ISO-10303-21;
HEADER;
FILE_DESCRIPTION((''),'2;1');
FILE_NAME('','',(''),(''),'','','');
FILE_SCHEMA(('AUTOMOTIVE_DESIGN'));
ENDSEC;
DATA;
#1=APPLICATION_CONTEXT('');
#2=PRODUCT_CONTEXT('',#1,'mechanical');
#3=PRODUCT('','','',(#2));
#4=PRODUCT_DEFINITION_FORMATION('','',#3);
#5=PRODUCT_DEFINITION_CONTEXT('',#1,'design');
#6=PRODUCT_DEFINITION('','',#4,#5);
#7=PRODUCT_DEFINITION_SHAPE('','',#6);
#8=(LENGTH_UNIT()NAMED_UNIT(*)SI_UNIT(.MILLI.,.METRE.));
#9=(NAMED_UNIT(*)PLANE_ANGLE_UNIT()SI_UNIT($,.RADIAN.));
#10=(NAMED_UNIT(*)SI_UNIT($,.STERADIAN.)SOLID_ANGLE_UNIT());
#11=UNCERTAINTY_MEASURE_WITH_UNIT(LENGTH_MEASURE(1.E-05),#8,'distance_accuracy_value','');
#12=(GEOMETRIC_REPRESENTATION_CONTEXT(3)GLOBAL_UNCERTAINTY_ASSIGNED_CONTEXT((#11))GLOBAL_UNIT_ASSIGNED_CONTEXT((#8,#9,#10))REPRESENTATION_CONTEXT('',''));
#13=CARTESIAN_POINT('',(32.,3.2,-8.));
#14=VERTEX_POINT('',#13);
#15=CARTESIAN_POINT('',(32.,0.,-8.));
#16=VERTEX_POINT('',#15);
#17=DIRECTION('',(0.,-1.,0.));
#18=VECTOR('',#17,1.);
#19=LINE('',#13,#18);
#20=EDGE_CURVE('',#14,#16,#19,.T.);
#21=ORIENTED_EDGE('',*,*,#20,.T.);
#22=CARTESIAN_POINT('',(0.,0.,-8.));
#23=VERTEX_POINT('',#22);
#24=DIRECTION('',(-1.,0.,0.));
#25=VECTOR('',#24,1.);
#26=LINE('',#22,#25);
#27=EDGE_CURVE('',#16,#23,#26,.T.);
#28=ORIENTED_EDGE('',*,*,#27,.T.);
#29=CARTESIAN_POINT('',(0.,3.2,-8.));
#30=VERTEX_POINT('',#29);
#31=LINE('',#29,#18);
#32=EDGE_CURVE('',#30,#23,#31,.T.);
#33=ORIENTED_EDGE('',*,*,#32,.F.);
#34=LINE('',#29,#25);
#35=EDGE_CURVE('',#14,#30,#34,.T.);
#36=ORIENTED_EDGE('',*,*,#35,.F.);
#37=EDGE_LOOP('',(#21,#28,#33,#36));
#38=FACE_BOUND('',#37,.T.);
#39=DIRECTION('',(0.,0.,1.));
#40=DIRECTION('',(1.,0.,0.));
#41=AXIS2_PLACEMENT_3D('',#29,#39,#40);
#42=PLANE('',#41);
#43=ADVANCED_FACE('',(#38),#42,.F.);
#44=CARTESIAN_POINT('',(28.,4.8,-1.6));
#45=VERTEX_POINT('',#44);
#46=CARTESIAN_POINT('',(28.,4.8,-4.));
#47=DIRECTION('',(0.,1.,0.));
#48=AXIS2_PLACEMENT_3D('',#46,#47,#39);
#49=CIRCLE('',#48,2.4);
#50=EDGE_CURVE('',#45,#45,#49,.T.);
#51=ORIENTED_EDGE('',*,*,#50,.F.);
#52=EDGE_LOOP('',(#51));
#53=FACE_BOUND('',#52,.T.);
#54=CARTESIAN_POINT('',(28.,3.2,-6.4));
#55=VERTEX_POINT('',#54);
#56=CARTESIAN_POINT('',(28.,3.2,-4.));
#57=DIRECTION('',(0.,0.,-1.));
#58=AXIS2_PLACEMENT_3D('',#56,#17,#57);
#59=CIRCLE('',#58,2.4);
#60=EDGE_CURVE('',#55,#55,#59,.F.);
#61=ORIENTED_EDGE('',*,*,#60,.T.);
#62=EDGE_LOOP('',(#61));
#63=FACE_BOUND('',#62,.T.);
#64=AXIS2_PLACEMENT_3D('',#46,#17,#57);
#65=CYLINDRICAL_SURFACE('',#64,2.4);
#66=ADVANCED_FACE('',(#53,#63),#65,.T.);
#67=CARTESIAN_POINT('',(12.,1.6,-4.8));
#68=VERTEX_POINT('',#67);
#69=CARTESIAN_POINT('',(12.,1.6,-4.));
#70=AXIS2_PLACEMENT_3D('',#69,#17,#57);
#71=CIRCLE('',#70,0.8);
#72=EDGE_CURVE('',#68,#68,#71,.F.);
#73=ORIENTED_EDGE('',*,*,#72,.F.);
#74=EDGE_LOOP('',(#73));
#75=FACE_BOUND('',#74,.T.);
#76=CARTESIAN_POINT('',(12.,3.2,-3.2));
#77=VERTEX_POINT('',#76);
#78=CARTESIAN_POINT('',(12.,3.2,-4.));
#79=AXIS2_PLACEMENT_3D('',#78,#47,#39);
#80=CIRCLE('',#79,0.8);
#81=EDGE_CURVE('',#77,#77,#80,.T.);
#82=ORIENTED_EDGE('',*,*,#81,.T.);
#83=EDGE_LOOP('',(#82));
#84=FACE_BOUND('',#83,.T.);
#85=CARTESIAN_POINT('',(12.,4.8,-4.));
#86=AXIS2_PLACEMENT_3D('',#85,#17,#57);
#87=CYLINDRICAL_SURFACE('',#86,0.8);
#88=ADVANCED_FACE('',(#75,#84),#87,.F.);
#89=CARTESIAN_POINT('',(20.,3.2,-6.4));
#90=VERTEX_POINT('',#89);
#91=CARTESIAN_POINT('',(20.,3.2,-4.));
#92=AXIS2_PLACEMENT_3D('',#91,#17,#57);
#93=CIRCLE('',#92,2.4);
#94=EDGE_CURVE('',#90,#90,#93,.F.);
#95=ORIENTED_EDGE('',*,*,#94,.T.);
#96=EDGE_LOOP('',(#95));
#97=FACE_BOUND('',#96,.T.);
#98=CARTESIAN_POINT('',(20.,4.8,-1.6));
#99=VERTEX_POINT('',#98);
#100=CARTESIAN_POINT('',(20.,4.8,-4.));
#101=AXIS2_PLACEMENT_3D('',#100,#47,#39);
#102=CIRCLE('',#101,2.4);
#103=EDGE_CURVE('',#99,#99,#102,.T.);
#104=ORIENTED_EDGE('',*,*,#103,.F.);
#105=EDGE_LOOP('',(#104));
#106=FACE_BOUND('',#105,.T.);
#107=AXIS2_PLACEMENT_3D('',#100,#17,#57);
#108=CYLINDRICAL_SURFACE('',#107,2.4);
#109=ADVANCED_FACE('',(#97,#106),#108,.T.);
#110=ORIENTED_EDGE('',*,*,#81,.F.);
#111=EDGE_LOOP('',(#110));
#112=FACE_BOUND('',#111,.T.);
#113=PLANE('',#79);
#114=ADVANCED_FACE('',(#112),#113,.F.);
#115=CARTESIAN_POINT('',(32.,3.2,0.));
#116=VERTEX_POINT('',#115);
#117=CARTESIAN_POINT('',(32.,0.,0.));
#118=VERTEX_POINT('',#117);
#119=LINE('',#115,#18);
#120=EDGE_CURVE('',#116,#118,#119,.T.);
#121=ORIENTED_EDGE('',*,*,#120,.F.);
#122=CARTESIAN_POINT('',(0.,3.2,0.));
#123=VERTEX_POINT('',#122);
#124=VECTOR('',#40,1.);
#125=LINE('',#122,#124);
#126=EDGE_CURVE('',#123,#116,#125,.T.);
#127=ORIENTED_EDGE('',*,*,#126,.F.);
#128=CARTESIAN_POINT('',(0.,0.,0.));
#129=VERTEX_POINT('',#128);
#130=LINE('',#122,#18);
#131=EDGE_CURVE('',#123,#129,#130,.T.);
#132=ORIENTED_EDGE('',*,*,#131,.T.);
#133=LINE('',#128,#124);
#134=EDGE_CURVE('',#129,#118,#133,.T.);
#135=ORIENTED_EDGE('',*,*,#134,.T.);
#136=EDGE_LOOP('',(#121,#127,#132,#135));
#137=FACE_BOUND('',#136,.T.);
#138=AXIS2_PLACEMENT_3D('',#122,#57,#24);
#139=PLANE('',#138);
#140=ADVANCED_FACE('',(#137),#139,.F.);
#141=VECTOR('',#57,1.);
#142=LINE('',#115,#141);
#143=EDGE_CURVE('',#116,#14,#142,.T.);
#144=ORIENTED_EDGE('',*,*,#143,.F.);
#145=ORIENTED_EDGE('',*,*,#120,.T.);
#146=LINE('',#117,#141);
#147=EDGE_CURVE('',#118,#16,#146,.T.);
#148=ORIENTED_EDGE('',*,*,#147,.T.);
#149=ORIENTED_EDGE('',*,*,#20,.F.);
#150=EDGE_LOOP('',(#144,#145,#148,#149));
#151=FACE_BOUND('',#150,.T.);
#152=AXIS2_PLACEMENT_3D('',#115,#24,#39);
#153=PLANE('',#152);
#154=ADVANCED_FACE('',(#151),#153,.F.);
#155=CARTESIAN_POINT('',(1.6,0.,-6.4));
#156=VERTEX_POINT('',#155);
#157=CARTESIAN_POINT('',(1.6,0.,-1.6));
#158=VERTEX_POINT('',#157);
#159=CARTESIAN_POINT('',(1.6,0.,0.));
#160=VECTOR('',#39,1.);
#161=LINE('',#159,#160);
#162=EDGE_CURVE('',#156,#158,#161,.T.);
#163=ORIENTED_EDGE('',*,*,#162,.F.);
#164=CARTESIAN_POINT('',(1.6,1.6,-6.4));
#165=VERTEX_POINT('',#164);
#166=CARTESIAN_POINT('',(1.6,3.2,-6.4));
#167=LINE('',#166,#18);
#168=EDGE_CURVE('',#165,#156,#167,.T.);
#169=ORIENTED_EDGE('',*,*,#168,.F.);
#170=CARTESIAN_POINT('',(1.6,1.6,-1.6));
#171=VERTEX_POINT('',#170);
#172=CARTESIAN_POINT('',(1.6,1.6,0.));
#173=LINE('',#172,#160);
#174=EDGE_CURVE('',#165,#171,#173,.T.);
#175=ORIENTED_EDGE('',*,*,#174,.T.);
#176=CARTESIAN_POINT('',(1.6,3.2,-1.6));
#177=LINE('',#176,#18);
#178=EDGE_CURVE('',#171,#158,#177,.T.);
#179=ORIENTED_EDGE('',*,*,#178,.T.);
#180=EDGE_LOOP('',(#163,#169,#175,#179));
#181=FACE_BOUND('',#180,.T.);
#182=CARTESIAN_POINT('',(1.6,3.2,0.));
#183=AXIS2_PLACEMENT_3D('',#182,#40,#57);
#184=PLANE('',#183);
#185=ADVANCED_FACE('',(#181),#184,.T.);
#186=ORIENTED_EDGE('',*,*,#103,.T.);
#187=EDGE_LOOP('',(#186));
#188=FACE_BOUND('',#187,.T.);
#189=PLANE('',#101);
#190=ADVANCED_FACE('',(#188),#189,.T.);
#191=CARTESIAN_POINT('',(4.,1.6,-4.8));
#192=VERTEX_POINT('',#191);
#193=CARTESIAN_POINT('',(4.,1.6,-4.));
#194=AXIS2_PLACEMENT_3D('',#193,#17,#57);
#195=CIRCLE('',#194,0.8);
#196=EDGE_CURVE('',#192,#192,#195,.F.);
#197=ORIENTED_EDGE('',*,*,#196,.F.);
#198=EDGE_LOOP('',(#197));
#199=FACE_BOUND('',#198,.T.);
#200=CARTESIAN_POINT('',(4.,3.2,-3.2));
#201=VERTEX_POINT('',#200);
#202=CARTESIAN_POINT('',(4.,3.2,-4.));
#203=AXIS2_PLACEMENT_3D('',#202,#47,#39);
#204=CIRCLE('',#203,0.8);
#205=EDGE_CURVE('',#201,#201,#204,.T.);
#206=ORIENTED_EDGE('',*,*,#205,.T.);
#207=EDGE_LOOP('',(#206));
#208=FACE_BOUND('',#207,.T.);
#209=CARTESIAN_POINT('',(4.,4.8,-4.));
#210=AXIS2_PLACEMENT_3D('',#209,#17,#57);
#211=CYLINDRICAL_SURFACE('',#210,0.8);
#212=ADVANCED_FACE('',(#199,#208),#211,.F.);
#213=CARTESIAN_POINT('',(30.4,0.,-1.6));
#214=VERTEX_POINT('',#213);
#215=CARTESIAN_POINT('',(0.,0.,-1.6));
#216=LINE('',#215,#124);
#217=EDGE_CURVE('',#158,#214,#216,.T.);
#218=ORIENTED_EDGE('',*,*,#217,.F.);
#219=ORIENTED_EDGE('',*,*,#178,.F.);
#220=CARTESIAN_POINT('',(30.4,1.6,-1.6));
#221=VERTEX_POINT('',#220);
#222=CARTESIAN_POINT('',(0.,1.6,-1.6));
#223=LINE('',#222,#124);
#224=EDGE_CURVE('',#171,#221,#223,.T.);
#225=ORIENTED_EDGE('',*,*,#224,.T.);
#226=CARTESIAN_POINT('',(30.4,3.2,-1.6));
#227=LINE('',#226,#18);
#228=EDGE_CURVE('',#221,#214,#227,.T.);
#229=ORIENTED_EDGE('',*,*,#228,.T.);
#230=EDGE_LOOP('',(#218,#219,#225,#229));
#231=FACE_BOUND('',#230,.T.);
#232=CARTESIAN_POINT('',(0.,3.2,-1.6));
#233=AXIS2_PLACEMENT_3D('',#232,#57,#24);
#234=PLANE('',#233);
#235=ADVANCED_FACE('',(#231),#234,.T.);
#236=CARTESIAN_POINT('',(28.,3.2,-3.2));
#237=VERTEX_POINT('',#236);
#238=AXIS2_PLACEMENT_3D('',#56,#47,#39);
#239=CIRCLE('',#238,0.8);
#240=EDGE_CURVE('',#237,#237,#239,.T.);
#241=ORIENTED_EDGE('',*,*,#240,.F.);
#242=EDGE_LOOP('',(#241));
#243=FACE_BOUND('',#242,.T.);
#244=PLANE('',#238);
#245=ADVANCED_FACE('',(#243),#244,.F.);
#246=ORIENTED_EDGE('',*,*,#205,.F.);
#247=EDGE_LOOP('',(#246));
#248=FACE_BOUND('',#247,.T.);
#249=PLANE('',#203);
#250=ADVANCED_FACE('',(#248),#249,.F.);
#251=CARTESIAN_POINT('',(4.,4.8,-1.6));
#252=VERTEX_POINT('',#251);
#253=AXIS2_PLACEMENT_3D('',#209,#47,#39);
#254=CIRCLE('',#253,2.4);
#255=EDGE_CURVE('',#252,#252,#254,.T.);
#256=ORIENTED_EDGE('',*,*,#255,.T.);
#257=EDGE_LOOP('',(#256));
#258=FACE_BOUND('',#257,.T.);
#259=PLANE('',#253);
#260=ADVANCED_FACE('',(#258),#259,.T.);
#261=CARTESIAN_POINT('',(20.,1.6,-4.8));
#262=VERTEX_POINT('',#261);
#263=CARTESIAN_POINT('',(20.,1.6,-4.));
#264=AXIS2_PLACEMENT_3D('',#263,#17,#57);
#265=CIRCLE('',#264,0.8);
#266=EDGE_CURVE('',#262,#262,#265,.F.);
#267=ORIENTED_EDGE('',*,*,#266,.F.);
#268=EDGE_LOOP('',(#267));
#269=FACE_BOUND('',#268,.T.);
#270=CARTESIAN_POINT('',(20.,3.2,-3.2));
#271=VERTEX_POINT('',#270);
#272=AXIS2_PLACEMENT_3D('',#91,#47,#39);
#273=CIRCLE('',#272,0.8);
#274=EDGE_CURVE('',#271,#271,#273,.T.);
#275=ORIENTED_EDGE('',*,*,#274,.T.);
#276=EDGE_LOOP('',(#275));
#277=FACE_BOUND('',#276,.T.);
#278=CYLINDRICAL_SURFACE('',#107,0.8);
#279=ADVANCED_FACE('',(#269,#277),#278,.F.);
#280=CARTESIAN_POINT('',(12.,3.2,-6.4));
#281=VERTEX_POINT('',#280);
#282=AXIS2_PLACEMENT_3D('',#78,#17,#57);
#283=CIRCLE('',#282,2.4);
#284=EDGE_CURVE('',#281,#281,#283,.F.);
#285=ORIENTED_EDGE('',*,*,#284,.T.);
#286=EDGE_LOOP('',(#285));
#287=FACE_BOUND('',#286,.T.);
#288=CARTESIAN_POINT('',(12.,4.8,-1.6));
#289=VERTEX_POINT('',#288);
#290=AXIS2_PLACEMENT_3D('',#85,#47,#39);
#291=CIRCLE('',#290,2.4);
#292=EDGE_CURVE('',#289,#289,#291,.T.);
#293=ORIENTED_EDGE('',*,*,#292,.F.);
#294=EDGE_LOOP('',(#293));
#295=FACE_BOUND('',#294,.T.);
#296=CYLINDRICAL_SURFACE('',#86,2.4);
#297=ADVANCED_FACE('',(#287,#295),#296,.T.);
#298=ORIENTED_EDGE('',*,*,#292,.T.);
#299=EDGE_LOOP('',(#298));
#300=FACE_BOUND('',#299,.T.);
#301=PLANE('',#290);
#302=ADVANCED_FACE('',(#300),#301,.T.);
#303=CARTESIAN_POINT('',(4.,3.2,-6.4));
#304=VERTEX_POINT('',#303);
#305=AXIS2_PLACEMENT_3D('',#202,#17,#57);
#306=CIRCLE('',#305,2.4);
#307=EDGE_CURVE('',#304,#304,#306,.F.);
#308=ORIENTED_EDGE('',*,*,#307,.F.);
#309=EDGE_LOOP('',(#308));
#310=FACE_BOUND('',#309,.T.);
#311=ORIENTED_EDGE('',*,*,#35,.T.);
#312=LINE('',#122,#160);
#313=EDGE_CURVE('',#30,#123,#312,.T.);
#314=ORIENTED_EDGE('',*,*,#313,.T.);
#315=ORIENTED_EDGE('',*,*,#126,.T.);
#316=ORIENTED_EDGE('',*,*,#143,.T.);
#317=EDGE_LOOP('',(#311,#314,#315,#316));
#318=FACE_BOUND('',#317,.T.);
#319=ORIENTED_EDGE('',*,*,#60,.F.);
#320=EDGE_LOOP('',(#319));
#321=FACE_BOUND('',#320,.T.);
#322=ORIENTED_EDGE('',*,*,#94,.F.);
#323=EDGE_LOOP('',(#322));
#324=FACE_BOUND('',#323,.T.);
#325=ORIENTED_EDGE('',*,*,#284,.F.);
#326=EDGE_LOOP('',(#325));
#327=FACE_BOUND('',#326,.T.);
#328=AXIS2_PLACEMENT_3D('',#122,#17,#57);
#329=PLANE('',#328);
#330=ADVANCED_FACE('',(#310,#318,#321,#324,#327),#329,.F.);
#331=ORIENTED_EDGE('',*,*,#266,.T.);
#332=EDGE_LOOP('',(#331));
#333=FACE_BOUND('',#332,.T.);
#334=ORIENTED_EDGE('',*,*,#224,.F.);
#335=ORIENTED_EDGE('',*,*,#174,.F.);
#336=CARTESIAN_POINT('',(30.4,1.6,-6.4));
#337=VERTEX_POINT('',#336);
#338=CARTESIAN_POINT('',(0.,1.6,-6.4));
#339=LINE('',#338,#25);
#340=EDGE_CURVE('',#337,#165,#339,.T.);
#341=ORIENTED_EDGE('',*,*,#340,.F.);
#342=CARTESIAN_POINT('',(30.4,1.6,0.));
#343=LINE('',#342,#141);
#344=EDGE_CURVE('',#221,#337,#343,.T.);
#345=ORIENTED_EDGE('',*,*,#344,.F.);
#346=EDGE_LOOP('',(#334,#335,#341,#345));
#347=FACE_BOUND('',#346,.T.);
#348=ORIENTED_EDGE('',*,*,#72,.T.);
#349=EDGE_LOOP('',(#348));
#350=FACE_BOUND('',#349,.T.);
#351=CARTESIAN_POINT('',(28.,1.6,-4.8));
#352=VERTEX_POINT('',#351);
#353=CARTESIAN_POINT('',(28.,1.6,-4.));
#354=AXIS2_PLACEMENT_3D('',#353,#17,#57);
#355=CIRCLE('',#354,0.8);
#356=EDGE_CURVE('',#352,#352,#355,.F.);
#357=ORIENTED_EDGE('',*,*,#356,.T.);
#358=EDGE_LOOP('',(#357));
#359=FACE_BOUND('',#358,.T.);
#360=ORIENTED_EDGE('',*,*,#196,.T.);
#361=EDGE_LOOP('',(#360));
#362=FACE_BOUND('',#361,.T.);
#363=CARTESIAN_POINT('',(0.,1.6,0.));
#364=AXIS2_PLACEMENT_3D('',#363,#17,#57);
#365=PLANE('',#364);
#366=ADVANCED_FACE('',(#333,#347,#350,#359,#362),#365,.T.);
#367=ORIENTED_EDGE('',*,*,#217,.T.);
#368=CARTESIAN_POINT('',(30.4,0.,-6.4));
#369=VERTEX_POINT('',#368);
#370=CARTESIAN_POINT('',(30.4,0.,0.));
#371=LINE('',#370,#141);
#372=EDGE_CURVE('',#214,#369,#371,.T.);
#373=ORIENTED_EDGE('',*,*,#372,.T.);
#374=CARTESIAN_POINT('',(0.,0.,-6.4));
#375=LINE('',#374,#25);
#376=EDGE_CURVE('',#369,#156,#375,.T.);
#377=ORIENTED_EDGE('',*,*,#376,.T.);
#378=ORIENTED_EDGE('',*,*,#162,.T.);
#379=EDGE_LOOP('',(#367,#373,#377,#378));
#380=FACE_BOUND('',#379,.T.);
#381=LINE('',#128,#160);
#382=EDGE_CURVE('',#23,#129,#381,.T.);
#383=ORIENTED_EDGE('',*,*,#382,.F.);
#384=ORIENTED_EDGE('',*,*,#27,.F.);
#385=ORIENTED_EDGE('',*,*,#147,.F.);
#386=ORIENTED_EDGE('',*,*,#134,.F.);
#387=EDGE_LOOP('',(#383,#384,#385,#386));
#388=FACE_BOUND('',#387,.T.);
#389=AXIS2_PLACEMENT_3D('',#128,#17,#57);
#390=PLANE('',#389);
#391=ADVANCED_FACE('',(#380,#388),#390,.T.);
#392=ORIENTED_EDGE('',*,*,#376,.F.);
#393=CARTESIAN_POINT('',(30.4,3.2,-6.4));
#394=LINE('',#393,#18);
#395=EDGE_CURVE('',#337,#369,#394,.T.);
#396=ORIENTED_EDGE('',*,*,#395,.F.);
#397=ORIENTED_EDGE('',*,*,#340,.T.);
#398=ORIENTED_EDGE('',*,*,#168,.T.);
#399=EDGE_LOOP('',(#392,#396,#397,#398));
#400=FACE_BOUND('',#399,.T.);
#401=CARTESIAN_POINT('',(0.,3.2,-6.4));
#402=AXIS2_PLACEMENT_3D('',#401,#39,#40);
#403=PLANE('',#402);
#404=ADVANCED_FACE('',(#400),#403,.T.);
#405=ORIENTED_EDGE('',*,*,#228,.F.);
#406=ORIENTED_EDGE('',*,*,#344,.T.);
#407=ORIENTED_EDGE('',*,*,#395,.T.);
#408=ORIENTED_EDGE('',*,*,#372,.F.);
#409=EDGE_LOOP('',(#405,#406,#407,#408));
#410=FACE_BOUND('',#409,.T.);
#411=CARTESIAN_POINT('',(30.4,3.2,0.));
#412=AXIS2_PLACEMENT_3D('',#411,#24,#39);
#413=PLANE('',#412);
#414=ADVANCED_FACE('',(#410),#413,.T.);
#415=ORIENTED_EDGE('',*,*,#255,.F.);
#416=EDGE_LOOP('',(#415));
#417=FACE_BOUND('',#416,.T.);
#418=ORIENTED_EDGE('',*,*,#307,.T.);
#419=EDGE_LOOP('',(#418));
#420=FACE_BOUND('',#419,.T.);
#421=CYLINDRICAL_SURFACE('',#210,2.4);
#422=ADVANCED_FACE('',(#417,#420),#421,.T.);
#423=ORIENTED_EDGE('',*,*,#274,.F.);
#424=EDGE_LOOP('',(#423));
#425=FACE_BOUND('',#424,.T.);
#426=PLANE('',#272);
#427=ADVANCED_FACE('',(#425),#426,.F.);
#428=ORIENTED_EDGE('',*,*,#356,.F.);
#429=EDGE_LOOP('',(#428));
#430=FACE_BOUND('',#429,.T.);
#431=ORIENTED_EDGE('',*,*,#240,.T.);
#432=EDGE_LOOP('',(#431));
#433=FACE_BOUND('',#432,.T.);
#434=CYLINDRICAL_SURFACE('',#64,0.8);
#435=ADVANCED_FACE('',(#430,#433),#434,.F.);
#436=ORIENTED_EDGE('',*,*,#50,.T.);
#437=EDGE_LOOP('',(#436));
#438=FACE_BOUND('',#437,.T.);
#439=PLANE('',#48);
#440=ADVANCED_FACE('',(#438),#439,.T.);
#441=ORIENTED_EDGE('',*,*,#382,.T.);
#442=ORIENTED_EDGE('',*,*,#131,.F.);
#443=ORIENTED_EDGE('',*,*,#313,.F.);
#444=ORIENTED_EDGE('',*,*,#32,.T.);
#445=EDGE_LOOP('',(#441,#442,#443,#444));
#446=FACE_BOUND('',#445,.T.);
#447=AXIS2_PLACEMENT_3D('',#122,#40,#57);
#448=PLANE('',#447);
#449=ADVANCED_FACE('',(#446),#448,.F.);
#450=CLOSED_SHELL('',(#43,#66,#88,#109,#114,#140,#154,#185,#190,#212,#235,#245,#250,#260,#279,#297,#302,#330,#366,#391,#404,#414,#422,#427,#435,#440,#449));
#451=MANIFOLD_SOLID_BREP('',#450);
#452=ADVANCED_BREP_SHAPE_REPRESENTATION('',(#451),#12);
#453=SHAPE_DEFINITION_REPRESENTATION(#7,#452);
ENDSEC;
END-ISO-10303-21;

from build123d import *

# Parameters (mm, degrees)
SKETCH1_W           = 32
SKETCH1_H           = 8
BOSS_EXTRUDE1_DEPTH = 3.2
SKETCH2_R           = 2.4
BOSS_EXTRUDE2_DEPTH = 1.6
LPATTERN1_COUNT     = 4
LPATTERN1_PITCH     = 8
SHELL1_T            = -1.6


with BuildPart() as part:
    # Sketch1 → Boss-Extrude1 (new body)
    with BuildSketch(Plane(origin=(0, 0, 0), x_dir=(1, 0, 0), z_dir=(0, 1, 0))):
        with Locations((16, 4)):
            Rectangle(SKETCH1_W, SKETCH1_H)
    extrude(amount=BOSS_EXTRUDE1_DEPTH)

    # Sketch2 → Boss-Extrude2 (add)
    with BuildSketch(Plane(origin=(0, 3.2, 0), x_dir=(1, 0, 0), z_dir=(0, 1, 0))):
        with Locations(Location((28, 4, 0), (0, 0, 90))):
            Circle(SKETCH2_R)
    boss_extrude2 = extrude(amount=BOSS_EXTRUDE2_DEPTH)

    # LPattern1: Boss-Extrude2 ×4
    with Locations(*[(-i * LPATTERN1_PITCH, 0, 0) for i in range(1, LPATTERN1_COUNT)]):
        add(boss_extrude2)

    # Shell1
    shell1_openings = [part.faces().sort_by_distance(p)[0] for p in [
        (16, 0, -4),
    ]]
    offset(amount=SHELL1_T, openings=shell1_openings, kind=Kind.INTERSECTION)


solid = part.part
